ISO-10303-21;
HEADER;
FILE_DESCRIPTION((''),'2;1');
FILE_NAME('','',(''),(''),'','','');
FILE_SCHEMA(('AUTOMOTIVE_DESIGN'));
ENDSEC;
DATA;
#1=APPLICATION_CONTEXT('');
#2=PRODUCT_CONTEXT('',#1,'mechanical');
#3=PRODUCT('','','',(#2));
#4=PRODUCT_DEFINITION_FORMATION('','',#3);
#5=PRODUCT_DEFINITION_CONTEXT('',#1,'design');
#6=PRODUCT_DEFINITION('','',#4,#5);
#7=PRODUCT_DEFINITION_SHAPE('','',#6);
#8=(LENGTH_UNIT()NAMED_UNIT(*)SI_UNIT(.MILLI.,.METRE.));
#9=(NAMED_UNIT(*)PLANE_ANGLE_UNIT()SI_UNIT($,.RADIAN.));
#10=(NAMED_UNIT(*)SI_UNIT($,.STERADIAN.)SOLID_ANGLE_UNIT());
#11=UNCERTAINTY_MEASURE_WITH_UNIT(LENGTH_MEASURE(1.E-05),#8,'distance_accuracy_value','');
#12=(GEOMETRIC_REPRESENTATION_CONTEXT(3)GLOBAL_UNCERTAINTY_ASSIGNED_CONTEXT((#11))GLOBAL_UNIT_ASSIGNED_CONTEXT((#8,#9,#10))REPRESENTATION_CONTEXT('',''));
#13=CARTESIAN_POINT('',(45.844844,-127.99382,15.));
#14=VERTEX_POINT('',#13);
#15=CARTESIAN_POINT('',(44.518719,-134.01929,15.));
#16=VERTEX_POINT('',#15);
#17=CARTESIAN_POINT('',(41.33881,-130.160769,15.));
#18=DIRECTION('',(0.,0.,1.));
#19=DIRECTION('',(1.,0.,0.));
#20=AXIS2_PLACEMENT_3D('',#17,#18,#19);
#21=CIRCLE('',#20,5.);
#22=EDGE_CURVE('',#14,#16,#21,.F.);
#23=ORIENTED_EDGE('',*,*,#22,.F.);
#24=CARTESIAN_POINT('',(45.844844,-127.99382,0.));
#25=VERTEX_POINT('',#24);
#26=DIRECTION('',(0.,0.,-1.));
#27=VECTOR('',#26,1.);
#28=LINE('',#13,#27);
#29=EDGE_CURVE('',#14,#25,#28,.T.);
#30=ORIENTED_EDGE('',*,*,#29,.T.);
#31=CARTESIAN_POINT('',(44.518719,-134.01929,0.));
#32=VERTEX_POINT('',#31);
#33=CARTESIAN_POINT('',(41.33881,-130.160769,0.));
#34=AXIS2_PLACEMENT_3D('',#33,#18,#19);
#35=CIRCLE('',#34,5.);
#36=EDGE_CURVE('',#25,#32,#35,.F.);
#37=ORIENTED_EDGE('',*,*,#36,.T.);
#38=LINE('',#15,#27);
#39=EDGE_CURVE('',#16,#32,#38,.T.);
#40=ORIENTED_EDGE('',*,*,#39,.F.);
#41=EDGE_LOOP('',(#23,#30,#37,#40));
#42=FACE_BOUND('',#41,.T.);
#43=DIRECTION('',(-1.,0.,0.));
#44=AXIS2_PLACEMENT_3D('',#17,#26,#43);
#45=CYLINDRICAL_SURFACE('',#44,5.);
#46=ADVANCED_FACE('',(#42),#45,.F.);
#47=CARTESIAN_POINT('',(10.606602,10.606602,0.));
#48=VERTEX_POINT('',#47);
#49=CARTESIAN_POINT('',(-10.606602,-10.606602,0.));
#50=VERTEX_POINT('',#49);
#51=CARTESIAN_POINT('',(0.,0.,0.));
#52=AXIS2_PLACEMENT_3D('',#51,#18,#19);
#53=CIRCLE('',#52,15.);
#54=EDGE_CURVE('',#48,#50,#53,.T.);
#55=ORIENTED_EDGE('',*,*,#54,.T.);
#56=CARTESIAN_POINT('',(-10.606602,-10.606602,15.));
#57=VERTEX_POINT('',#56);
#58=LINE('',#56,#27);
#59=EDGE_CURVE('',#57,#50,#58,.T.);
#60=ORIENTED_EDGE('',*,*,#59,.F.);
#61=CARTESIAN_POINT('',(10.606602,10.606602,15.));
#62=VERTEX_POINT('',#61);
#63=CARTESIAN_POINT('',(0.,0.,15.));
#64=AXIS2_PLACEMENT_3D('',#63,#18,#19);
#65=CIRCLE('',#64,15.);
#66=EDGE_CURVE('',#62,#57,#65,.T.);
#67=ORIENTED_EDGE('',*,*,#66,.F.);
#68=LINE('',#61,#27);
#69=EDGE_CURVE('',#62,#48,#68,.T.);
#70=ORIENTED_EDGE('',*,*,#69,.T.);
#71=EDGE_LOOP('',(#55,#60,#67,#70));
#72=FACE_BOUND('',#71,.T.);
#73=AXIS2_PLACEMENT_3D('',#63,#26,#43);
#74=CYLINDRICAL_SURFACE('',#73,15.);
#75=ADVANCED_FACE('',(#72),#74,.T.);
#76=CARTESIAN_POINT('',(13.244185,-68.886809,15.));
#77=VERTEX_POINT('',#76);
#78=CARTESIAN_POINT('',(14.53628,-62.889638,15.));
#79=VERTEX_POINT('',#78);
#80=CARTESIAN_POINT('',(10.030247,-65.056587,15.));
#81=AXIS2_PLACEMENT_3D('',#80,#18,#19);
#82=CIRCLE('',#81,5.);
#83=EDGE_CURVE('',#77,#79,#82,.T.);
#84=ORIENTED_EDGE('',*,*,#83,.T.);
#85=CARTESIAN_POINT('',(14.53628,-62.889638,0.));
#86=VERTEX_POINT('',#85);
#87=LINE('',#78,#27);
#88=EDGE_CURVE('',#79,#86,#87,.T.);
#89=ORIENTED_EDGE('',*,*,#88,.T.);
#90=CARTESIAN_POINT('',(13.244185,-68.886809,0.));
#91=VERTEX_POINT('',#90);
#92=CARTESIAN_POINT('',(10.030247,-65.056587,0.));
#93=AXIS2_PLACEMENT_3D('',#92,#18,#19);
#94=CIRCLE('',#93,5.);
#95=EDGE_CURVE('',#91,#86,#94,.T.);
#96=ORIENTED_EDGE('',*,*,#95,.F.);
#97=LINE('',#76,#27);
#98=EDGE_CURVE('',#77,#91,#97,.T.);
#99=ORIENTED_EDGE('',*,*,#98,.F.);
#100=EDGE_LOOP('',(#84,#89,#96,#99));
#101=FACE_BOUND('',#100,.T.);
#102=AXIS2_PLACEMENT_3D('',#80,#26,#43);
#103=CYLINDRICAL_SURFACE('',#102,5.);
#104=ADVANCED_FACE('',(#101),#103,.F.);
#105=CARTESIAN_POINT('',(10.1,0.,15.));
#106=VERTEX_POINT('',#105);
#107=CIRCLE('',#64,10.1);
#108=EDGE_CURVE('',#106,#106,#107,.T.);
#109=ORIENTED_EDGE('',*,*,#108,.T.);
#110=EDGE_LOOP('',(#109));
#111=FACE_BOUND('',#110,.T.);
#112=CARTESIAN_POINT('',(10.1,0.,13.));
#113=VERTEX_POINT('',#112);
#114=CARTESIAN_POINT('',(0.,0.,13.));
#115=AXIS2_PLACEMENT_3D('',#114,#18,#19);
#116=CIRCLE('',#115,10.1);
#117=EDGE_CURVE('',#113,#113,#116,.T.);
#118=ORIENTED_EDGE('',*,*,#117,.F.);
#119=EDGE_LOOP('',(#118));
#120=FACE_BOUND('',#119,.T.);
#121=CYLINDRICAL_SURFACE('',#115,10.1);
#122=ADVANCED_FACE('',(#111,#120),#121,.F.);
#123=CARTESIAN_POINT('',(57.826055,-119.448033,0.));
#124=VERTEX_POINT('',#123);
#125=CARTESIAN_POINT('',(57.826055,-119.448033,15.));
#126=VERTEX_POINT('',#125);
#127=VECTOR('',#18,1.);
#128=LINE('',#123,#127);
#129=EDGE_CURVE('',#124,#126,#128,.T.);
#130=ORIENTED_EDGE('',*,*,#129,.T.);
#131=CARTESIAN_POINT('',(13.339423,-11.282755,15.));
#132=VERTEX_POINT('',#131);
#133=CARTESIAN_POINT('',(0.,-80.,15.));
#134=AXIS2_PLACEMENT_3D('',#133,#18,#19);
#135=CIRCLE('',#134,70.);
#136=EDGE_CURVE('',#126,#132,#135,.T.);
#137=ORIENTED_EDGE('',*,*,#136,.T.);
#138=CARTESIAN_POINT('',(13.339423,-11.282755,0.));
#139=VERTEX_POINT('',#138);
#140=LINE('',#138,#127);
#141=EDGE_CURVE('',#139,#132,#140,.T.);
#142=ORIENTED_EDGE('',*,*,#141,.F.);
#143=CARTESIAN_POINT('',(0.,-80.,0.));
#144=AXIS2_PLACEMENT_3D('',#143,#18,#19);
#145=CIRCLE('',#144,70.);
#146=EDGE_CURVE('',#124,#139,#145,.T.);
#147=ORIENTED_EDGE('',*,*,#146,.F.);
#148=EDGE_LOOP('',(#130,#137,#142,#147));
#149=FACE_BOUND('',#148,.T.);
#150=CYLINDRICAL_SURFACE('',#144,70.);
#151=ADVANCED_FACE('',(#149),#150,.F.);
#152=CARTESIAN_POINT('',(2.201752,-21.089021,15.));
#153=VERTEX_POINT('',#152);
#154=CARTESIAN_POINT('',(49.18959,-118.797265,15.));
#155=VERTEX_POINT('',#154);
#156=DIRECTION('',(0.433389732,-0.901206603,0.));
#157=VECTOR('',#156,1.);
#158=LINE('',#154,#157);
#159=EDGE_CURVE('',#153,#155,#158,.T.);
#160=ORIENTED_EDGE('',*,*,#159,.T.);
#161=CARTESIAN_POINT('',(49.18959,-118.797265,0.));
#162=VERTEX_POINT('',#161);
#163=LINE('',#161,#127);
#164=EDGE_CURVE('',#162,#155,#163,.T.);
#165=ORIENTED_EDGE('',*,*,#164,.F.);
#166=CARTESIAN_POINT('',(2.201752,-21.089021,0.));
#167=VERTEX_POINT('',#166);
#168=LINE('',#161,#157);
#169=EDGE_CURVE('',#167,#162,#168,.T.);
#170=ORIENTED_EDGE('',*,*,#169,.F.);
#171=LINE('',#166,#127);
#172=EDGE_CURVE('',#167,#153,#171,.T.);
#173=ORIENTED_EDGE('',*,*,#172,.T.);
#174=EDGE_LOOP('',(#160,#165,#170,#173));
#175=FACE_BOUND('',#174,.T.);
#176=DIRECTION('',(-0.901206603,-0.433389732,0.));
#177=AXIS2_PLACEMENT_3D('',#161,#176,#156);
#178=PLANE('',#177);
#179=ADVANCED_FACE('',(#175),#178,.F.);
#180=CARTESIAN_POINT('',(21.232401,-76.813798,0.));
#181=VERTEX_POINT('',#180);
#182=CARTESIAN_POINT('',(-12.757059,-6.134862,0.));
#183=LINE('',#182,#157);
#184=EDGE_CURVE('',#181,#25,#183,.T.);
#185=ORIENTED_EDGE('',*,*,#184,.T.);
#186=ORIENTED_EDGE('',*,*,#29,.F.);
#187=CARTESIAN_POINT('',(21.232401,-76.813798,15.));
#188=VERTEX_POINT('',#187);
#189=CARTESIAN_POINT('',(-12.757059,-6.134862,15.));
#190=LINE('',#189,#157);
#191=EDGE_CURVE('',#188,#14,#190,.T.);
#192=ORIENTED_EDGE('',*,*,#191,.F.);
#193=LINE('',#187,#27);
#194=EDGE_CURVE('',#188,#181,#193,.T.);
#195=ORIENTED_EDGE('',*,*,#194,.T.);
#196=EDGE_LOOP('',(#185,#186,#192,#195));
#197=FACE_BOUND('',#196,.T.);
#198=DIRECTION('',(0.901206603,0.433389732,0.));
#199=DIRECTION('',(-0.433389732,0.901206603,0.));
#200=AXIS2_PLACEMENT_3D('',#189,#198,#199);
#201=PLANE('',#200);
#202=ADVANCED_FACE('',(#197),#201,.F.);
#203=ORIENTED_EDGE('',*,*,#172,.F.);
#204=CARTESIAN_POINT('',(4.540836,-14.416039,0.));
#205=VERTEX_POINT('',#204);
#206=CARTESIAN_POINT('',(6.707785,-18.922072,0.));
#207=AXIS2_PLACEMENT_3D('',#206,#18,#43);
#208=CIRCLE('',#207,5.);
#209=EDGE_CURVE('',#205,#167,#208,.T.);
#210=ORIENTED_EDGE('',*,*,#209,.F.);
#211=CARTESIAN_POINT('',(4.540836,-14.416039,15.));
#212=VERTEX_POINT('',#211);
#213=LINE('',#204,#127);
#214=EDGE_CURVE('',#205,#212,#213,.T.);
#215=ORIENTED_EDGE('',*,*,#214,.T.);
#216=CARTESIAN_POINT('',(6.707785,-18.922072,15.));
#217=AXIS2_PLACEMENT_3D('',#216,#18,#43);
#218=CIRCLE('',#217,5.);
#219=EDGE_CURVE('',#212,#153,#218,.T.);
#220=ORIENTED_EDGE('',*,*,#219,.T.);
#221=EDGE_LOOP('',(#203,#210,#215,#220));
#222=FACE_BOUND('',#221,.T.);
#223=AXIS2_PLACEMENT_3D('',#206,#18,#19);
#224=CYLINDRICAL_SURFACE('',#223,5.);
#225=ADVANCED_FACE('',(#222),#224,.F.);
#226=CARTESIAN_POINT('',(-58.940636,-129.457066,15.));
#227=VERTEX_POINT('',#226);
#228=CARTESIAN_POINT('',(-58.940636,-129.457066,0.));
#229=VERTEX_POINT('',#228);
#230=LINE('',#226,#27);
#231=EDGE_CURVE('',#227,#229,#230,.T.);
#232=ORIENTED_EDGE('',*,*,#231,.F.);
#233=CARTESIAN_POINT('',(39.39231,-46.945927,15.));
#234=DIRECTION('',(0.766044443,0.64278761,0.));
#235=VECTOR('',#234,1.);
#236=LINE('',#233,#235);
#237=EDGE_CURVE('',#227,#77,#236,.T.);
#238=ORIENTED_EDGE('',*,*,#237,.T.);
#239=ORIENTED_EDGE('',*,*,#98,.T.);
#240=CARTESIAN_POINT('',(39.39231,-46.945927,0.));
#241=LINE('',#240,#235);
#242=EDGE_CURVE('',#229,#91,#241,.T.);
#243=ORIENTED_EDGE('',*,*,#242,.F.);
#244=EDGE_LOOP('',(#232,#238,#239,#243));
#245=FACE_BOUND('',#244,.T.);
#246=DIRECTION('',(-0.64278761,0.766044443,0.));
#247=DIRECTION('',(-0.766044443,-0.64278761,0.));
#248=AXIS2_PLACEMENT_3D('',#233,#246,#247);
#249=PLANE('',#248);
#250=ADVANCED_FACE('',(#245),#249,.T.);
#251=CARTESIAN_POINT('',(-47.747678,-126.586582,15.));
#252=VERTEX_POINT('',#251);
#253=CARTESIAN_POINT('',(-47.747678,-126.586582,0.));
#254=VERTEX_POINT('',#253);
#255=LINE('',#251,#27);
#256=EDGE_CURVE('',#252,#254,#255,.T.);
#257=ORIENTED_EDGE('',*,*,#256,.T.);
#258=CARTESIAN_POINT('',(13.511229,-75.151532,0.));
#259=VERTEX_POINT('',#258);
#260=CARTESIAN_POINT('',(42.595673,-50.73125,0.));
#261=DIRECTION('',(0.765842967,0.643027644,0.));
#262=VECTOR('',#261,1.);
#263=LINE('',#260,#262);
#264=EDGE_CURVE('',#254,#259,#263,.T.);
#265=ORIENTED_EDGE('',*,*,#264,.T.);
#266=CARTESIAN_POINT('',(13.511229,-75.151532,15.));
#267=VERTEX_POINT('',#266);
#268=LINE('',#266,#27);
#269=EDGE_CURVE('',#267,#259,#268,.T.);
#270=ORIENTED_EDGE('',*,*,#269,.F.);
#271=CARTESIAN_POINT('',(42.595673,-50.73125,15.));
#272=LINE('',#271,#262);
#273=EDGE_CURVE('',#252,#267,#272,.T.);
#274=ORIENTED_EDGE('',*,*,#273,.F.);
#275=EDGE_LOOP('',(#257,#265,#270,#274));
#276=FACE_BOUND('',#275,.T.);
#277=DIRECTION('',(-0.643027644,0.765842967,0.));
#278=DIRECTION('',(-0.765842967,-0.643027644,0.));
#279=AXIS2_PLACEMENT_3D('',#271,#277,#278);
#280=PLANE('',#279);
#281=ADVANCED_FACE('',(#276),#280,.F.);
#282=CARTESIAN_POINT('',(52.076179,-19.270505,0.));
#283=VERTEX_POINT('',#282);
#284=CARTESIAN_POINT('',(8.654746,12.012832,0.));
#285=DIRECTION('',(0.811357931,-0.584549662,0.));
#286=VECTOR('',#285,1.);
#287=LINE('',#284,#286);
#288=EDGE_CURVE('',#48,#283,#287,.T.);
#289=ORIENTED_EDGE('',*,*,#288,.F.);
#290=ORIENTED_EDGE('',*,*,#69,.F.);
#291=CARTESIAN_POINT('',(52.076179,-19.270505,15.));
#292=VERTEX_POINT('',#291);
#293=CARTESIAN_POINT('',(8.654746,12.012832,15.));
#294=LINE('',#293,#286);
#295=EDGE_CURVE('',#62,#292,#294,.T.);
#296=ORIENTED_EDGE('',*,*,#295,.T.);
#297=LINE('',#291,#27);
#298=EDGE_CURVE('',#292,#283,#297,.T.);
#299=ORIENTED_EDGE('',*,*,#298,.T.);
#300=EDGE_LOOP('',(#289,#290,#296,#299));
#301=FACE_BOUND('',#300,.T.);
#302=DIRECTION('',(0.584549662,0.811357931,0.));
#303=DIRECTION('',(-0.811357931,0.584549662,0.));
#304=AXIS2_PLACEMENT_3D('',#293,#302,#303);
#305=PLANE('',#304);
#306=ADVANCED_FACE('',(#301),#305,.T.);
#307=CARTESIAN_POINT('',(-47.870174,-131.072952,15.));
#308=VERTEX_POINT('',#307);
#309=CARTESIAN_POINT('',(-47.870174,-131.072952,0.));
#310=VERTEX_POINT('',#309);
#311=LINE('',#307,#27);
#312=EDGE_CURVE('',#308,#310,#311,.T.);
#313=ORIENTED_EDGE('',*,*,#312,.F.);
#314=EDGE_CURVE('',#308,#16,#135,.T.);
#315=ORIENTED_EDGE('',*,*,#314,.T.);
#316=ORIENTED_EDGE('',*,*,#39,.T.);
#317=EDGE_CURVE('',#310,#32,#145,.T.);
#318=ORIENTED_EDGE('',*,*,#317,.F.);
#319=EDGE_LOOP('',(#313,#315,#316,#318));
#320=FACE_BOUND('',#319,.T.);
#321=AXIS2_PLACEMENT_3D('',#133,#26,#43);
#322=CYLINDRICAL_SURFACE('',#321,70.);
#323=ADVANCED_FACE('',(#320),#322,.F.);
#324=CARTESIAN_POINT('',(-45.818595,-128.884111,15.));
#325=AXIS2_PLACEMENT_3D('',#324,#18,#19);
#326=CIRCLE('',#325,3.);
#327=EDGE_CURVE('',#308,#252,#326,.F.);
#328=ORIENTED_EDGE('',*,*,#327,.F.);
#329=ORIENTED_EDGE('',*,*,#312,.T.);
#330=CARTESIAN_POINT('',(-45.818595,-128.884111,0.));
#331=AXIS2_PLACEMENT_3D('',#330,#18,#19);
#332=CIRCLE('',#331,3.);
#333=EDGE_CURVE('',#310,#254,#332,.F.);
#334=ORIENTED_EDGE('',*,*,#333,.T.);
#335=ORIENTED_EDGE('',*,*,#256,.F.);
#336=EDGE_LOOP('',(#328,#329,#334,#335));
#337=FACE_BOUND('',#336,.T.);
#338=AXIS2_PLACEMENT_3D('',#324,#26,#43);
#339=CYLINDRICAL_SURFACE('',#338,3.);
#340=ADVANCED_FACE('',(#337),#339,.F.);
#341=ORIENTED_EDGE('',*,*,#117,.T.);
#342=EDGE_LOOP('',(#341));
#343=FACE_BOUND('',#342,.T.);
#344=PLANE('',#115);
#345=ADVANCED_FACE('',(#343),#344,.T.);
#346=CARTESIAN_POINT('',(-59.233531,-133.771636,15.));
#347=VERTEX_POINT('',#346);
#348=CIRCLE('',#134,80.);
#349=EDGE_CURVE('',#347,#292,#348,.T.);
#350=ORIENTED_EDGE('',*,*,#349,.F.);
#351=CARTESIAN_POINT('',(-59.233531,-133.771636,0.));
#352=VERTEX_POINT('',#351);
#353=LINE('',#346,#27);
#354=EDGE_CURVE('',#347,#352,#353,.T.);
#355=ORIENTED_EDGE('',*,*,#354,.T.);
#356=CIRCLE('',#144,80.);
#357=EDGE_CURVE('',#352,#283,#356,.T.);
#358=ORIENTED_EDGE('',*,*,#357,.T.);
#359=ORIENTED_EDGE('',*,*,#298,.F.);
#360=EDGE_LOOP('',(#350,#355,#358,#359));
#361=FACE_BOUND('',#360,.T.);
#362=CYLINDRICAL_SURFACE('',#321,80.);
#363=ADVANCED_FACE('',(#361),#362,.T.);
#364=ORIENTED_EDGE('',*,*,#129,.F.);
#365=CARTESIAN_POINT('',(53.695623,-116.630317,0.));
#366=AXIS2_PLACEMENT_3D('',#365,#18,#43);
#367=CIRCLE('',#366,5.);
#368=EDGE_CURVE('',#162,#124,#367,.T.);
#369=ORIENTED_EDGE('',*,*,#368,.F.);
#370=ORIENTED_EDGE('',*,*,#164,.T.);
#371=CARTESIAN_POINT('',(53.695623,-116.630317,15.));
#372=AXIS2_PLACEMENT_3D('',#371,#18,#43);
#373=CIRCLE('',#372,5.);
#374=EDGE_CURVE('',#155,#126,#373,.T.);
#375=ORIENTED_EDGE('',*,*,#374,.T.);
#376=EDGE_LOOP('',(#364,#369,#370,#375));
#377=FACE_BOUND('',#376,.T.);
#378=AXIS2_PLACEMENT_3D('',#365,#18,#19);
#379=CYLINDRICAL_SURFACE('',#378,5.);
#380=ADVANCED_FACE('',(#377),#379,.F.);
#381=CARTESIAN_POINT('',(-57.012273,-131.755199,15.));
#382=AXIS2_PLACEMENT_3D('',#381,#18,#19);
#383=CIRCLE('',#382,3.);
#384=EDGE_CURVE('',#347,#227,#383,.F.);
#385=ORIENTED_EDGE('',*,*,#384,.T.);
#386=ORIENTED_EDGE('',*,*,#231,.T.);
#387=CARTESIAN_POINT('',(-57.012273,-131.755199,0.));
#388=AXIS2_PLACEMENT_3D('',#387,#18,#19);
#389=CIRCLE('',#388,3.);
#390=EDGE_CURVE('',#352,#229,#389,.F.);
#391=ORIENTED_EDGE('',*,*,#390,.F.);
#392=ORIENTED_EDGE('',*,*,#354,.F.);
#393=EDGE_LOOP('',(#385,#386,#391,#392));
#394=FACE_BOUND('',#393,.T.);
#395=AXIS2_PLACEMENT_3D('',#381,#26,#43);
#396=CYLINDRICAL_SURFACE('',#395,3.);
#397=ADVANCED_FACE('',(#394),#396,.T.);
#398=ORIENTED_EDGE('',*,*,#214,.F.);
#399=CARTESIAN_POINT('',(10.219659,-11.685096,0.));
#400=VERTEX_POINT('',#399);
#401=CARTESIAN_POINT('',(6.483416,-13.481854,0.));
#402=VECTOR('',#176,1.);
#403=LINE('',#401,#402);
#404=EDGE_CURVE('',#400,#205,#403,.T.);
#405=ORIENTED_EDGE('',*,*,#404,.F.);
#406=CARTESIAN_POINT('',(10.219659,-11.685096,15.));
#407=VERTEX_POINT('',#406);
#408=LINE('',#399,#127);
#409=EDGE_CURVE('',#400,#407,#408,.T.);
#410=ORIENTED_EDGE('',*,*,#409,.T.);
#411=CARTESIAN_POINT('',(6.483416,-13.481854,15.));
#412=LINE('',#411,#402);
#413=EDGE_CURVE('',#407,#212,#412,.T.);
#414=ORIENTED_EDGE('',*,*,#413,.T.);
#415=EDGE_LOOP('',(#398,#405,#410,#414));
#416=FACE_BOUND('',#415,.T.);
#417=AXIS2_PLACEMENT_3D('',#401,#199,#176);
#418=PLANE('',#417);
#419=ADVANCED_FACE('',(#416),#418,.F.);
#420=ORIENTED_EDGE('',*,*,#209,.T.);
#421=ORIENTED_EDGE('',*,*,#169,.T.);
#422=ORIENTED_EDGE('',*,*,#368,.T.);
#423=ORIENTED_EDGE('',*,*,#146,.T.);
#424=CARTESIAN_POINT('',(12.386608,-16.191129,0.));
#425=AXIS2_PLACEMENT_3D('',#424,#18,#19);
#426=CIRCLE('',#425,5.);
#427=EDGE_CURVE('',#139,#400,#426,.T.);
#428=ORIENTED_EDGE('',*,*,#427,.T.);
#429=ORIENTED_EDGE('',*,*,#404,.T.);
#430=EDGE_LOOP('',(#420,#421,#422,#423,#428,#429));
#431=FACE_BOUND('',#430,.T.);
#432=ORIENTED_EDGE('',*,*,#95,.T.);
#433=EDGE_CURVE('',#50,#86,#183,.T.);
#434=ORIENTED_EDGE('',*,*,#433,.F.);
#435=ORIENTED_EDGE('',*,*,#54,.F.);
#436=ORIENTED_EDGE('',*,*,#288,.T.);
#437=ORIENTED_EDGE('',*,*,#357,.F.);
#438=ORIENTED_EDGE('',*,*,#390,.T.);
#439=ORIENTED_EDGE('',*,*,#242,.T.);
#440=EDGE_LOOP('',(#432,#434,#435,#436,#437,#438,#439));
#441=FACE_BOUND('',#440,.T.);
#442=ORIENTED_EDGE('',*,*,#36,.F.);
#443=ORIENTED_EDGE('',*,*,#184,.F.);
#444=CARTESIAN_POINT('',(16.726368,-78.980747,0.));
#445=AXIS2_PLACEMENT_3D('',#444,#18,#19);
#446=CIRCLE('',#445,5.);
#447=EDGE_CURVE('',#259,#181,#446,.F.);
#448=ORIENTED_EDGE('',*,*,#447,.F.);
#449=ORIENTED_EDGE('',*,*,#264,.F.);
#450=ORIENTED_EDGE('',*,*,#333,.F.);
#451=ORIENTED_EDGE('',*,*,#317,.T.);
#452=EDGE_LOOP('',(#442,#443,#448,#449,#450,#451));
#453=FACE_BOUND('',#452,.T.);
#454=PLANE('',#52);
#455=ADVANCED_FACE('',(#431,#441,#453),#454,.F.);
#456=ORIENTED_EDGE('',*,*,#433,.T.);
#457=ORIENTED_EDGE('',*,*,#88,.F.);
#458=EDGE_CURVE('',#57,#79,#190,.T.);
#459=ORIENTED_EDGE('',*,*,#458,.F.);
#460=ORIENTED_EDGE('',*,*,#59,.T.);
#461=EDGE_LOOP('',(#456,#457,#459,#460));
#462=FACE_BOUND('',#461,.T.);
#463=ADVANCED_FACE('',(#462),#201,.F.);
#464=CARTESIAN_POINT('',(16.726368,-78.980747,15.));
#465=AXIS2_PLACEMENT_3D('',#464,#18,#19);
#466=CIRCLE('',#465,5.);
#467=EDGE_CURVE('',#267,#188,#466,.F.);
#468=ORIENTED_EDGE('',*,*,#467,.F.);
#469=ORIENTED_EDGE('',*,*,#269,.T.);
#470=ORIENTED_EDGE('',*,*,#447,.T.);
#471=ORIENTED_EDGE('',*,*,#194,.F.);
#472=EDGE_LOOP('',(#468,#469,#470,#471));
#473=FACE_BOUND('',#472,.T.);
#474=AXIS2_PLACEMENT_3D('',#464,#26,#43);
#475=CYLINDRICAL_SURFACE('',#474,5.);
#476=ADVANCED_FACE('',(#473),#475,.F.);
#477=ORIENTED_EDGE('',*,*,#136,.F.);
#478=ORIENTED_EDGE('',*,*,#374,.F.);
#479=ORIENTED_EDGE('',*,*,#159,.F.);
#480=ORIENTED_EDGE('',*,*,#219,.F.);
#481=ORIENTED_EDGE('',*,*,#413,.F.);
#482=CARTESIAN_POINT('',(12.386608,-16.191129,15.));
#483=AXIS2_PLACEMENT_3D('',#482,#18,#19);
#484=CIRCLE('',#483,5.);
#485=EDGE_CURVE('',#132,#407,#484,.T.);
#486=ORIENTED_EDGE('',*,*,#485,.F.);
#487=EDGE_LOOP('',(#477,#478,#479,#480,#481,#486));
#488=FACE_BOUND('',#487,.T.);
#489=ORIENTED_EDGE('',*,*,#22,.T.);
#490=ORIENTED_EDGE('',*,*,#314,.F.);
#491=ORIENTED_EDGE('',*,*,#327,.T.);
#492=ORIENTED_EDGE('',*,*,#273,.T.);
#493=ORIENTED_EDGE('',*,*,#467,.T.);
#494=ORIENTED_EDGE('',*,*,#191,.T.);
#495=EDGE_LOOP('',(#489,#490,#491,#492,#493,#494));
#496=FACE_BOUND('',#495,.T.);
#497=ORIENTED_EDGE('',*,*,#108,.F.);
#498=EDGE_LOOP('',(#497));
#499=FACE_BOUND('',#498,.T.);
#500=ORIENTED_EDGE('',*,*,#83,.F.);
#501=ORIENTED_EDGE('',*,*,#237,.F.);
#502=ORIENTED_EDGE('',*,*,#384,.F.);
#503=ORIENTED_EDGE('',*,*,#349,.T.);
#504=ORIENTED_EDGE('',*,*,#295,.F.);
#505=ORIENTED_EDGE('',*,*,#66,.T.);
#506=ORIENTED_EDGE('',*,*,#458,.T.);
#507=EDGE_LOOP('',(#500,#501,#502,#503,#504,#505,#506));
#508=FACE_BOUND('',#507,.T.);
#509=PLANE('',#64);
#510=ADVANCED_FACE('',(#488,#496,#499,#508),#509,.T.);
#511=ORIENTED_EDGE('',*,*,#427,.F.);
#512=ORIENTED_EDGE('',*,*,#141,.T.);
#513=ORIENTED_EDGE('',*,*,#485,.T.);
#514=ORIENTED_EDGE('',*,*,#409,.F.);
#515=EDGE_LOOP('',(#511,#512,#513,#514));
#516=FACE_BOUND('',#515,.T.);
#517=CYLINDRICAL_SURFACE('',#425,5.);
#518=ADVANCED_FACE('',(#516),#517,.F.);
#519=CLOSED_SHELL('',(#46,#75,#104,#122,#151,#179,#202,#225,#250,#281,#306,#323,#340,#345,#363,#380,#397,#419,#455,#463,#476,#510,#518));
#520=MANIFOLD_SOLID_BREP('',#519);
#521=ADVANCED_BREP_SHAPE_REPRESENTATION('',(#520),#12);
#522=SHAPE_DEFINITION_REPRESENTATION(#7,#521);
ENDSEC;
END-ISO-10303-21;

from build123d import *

# Parameters (mm, degrees)
EXTRUDE_1_DEPTH     = 15
CUT_EXTRUDE_START   = -15
CUT_EXTRUDE_1_DEPTH = 15
SKETCH_7_R          = 10.1
CUT_EXTRUDE_2_DEPTH = 2


with BuildPart() as part:
    # ｽｹｯﾁ4 → ﾎﾞｽ - 押し出し1 (new body)
    with BuildSketch(Plane.XY):
        with BuildLine():
            Line((-53.623111018, -124.995132678), (-58.940636287, -129.45706617))
            ThreePointArc((-58.940636287, -129.45706617), (-60.005384698, -131.552012131), (-59.233530865, -133.771635843))
            ThreePointArc((-59.233530865, -133.771635843), (57.362306223, -135.763481103), (52.076178918, -19.270504783))
            Line((52.076178918, -19.270504783), (10.606601718, 10.606601718))
            ThreePointArc((10.606601718, 10.606601718), (-10.606601718, 10.606601718), (-10.606601718, -10.606601718))
            Line((-10.606601718, -10.606601718), (14.536280154, -62.889638219))
            ThreePointArc((14.536280154, -62.889638219), (14.918089499, -66.109676181), (13.244185189, -68.886809092))
            Line((13.244185189, -68.886809092), (-53.623111018, -124.995132678))
        make_face()
        with BuildLine():
            Line((21.232400696, -76.813798404), (45.844843506, -127.993820346))
            ThreePointArc((45.844843506, -127.993820346), (46.221944165, -131.235480845), (44.518718993, -134.019289696))
            ThreePointArc((44.518718993, -134.019289696), (-2.231208213, -149.964431749), (-47.870174388, -131.072951785))
            ThreePointArc((-47.870174388, -131.072951785), (-48.817477846, -128.802229421), (-47.747678417, -126.586582094))
            Line((-47.747678417, -126.586582094), (13.511229465, -75.151532228))
            ThreePointArc((13.511229465, -75.151532228), (17.77869109, -74.092739753), (21.232400696, -76.813798404))
        make_face(mode=Mode.SUBTRACT)
    extrude(amount=EXTRUDE_1_DEPTH)

    # ｽｹｯﾁ6 → ｶｯﾄ - 押し出し1 (cut)
    with BuildSketch(Plane.XY.offset(15).offset(CUT_EXTRUDE_START)):
        with BuildLine():
            Line((49.189589797, -118.797265215), (2.201751786, -21.089020696))
            ThreePointArc((2.201751786, -21.089020696), (1.989274209, -17.268089629), (4.540836142, -14.416039025))
            Line((4.540836142, -14.416039025), (6.483415605, -13.48185369))
            Line((6.483415605, -13.48185369), (10.219658847, -11.685096486))
            ThreePointArc((10.219658847, -11.685096486), (11.747077013, -11.232198087), (13.339423466, -11.282754846))
            ThreePointArc((13.339423466, -11.282754846), (64.738421392, -53.37413296), (57.826055334, -119.448033215))
            ThreePointArc((57.826055334, -119.448033215), (53.319931874, -121.616182211), (49.189589797, -118.797265215))
        make_face()
    extrude(amount=CUT_EXTRUDE_1_DEPTH, mode=Mode.SUBTRACT)

    # ｽｹｯﾁ7 → ｶｯﾄ - 押し出し2 (cut)
    with BuildSketch(Plane.XY.offset(15)):
        Circle(SKETCH_7_R)
    extrude(amount=-CUT_EXTRUDE_2_DEPTH, mode=Mode.SUBTRACT)


solid = part.part
